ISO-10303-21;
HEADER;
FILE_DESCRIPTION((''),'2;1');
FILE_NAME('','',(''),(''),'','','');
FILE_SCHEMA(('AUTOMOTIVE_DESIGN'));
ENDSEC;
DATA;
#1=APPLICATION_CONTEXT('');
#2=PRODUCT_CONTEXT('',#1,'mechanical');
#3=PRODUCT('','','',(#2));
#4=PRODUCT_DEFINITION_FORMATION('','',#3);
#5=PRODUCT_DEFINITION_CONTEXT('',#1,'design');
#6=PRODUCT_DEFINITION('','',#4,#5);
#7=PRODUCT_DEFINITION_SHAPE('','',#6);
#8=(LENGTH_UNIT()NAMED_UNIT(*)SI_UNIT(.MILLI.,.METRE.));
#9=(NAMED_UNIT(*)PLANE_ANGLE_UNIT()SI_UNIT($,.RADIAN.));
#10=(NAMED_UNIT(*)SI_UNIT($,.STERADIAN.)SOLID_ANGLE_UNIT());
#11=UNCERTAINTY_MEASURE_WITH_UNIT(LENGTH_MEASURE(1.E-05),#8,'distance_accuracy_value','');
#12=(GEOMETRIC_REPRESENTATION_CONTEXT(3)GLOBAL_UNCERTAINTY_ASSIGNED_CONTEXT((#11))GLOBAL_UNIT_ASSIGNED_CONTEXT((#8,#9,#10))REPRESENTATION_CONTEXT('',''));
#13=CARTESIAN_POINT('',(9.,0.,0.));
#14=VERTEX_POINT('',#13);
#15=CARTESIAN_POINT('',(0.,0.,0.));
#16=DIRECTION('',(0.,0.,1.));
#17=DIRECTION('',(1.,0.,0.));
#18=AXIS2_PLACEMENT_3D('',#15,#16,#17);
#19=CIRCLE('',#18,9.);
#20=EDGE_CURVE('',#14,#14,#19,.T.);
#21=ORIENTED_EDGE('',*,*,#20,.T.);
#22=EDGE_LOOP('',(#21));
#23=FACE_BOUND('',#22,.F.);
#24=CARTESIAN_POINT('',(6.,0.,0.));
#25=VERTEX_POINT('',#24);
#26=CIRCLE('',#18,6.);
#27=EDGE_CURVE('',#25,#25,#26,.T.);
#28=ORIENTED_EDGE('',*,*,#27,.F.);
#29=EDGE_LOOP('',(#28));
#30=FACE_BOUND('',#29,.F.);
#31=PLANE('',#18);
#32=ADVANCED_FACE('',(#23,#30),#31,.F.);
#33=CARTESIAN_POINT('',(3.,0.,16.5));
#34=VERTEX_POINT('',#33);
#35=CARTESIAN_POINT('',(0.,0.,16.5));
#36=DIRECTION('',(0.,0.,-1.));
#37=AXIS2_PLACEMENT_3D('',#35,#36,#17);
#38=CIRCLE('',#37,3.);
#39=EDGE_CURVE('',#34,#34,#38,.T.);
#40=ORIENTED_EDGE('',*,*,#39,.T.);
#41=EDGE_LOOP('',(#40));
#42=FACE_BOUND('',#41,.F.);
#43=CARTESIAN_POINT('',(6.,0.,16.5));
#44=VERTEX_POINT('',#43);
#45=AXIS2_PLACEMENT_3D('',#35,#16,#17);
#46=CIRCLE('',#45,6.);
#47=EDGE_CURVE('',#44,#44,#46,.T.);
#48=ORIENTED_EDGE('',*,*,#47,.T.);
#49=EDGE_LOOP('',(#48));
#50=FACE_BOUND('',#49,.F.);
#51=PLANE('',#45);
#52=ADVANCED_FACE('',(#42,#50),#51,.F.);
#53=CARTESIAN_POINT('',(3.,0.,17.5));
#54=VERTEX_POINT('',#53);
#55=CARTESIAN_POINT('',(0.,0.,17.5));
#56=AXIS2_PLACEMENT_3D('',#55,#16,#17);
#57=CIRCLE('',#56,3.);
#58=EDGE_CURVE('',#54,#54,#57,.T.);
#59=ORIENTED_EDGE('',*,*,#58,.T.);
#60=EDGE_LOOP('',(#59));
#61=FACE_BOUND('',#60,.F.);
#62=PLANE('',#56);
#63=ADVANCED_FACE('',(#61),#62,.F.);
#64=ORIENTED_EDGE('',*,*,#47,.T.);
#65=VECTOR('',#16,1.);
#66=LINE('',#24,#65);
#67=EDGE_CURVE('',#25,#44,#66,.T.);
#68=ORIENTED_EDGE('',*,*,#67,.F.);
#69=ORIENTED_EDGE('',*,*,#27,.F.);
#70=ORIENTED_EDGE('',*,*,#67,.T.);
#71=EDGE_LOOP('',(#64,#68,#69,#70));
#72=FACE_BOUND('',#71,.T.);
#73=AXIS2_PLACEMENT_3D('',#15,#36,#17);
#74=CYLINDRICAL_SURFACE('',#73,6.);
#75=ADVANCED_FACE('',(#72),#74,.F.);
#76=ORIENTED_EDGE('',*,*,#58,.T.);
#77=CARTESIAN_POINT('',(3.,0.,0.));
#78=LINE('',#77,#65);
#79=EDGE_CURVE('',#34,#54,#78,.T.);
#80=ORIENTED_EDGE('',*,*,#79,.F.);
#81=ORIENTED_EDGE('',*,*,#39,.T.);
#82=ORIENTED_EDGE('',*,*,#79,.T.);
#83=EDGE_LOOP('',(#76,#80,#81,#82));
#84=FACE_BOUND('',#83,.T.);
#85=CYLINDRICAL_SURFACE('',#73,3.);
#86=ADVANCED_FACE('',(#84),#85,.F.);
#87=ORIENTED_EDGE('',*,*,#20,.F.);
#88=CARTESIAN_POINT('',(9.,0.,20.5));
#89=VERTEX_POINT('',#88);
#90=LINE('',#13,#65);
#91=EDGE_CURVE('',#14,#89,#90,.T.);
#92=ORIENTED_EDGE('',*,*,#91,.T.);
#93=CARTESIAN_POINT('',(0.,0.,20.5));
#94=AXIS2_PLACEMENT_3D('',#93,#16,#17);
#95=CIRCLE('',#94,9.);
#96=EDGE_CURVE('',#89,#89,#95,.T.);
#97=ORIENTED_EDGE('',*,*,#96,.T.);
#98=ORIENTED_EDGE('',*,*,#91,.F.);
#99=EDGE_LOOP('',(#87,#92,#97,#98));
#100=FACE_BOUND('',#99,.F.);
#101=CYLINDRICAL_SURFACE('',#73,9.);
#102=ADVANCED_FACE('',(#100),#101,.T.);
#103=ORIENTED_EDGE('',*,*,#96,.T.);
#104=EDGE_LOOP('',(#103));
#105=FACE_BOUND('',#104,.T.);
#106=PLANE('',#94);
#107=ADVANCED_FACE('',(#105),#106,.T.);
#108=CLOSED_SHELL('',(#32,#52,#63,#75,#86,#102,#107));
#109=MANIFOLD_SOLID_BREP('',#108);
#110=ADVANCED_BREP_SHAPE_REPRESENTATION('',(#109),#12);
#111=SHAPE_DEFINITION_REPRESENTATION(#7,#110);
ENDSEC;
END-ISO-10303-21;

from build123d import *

# Parameters (mm, degrees)
F0_R     = 9
F1_DEPTH = 20.5
F2_R     = 6
F3_DEPTH = 16.5
F4_R     = 3
F5_DEPTH = 17.5


with BuildPart() as f1:
    # F0 (on Top) → F1 (new body)
    with BuildSketch(Plane.XY):
        Circle(F0_R)
    extrude(amount=F1_DEPTH)

    # F2 (on Top) → F3 (cut)
    with BuildSketch(Plane.XY):
        Circle(F2_R)
    extrude(amount=F3_DEPTH, mode=Mode.SUBTRACT)

    # F4 (on Top) → F5 (cut)
    with BuildSketch(Plane.XY):
        Circle(F4_R)
    extrude(amount=F5_DEPTH, mode=Mode.SUBTRACT)


solid = f1.part
